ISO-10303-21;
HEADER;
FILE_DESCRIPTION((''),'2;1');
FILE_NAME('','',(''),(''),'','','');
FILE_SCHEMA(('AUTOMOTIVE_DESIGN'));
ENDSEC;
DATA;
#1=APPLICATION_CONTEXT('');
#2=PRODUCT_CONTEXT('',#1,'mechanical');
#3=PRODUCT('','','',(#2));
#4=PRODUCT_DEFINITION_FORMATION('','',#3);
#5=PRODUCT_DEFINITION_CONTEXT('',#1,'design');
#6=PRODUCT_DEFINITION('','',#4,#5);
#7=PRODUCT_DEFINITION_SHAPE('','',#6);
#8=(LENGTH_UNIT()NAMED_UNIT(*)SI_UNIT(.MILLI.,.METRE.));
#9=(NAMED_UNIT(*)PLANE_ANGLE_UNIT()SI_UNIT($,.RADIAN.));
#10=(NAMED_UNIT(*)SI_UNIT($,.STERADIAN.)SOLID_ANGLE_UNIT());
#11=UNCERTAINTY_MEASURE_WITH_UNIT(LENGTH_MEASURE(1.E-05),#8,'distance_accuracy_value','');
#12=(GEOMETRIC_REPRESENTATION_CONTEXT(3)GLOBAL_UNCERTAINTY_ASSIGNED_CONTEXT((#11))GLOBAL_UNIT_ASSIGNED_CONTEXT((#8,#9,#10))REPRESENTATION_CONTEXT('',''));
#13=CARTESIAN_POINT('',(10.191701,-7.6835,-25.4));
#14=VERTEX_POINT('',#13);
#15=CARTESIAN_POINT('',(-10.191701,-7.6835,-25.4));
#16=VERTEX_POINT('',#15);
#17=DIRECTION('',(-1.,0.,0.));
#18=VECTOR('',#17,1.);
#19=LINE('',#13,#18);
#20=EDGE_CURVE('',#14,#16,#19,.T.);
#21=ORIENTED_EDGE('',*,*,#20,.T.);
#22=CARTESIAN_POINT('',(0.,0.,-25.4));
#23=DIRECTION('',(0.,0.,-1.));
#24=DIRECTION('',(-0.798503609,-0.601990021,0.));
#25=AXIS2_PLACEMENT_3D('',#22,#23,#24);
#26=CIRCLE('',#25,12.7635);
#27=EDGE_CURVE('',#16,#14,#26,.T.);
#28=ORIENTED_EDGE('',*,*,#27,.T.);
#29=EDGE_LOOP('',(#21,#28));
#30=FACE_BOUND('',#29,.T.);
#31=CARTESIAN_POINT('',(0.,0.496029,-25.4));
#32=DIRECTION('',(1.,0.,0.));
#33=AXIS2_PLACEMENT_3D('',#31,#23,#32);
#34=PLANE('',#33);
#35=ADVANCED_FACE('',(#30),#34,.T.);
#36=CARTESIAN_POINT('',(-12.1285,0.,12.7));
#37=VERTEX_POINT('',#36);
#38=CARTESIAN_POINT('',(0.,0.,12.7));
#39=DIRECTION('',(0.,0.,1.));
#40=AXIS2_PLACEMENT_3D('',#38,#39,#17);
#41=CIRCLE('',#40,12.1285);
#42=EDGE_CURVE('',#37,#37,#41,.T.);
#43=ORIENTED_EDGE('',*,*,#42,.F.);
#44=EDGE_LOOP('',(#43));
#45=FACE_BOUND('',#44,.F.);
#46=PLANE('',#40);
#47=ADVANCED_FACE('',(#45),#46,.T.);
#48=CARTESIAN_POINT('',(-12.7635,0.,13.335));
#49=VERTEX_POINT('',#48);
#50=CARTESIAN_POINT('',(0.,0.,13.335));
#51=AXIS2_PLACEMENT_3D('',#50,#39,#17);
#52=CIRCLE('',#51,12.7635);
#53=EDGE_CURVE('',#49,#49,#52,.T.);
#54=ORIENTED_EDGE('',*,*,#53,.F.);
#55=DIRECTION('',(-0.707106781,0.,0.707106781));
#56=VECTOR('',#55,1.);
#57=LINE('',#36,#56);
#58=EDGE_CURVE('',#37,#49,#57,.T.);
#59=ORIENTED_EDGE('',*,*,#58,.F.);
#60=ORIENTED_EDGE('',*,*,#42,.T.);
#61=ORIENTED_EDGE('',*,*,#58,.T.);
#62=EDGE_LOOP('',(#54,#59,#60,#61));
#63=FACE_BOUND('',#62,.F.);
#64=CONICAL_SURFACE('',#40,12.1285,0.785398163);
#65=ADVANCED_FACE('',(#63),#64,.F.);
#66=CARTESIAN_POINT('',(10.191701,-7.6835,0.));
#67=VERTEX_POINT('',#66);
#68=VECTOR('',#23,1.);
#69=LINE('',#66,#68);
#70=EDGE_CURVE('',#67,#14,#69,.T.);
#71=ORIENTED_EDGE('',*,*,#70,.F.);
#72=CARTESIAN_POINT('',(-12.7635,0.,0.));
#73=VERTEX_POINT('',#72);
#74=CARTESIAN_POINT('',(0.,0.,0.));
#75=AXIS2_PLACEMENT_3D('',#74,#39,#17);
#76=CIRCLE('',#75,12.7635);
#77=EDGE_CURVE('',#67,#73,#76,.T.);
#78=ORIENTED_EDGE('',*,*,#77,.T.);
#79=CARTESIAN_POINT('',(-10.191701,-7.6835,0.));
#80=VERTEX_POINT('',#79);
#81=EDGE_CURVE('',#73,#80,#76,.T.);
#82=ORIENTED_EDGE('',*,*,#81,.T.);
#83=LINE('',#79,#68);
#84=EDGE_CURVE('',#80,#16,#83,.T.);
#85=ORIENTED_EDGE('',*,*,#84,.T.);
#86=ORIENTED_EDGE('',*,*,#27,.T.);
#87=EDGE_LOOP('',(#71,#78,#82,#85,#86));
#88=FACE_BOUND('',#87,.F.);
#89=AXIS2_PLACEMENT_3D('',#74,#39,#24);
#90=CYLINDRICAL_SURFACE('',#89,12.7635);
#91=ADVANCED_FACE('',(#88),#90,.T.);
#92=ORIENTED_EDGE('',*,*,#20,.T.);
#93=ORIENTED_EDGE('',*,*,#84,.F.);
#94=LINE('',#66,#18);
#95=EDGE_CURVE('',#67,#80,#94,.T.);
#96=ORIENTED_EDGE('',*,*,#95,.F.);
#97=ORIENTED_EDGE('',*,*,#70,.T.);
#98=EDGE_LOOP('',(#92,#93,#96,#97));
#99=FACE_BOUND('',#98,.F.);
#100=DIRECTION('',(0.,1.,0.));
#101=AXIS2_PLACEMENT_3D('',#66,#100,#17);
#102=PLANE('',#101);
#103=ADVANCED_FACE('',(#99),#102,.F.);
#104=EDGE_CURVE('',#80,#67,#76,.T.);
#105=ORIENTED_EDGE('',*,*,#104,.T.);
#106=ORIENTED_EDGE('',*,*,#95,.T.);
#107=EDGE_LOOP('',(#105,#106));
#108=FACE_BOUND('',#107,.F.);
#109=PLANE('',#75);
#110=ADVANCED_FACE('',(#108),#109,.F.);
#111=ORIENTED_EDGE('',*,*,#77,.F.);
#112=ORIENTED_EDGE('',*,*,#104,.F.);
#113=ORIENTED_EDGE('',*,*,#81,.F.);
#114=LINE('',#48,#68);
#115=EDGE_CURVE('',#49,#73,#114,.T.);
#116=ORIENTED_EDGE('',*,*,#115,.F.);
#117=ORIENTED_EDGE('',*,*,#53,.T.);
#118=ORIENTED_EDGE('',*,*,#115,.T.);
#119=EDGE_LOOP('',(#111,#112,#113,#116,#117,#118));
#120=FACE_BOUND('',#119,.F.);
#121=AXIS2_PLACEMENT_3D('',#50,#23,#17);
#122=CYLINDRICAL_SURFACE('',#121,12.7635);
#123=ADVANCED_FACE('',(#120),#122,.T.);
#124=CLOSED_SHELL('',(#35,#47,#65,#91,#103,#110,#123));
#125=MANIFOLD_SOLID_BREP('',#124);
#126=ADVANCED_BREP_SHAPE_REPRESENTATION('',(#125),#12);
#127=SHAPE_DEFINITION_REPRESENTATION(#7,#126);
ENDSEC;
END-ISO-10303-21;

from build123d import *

# Parameters (mm, degrees)
F3_DEPTH = 25.4


with BuildPart() as f1:
    # F0 (on Front) → F1 (revolve)
    with BuildSketch(Plane.XZ):
        Polygon((-12.7635, 0), (0, 0), (0, 12.7), (-12.1285, 12.7), (-12.7635, 12.7), align=None)
        Polygon((-12.7635, 12.7), (-12.1285, 12.7), (-12.7635, 13.335), align=None)
    revolve(axis=Axis((0, 0, 6.35), (0, 0, 1)))

    # F2 (on face) → F3 (join)
    with BuildSketch(Plane(origin=(0, 0, 0), x_dir=(1, 0, 0), z_dir=(0, 0, -1))):
        with BuildLine():
            Line((10.191701, 7.6835), (-10.191701, 7.6835))
            ThreePointArc((-10.191701, 7.6835), (0, -12.7635), (10.191701, 7.6835))
        make_face()
    extrude(amount=F3_DEPTH)


solid = f1.part
